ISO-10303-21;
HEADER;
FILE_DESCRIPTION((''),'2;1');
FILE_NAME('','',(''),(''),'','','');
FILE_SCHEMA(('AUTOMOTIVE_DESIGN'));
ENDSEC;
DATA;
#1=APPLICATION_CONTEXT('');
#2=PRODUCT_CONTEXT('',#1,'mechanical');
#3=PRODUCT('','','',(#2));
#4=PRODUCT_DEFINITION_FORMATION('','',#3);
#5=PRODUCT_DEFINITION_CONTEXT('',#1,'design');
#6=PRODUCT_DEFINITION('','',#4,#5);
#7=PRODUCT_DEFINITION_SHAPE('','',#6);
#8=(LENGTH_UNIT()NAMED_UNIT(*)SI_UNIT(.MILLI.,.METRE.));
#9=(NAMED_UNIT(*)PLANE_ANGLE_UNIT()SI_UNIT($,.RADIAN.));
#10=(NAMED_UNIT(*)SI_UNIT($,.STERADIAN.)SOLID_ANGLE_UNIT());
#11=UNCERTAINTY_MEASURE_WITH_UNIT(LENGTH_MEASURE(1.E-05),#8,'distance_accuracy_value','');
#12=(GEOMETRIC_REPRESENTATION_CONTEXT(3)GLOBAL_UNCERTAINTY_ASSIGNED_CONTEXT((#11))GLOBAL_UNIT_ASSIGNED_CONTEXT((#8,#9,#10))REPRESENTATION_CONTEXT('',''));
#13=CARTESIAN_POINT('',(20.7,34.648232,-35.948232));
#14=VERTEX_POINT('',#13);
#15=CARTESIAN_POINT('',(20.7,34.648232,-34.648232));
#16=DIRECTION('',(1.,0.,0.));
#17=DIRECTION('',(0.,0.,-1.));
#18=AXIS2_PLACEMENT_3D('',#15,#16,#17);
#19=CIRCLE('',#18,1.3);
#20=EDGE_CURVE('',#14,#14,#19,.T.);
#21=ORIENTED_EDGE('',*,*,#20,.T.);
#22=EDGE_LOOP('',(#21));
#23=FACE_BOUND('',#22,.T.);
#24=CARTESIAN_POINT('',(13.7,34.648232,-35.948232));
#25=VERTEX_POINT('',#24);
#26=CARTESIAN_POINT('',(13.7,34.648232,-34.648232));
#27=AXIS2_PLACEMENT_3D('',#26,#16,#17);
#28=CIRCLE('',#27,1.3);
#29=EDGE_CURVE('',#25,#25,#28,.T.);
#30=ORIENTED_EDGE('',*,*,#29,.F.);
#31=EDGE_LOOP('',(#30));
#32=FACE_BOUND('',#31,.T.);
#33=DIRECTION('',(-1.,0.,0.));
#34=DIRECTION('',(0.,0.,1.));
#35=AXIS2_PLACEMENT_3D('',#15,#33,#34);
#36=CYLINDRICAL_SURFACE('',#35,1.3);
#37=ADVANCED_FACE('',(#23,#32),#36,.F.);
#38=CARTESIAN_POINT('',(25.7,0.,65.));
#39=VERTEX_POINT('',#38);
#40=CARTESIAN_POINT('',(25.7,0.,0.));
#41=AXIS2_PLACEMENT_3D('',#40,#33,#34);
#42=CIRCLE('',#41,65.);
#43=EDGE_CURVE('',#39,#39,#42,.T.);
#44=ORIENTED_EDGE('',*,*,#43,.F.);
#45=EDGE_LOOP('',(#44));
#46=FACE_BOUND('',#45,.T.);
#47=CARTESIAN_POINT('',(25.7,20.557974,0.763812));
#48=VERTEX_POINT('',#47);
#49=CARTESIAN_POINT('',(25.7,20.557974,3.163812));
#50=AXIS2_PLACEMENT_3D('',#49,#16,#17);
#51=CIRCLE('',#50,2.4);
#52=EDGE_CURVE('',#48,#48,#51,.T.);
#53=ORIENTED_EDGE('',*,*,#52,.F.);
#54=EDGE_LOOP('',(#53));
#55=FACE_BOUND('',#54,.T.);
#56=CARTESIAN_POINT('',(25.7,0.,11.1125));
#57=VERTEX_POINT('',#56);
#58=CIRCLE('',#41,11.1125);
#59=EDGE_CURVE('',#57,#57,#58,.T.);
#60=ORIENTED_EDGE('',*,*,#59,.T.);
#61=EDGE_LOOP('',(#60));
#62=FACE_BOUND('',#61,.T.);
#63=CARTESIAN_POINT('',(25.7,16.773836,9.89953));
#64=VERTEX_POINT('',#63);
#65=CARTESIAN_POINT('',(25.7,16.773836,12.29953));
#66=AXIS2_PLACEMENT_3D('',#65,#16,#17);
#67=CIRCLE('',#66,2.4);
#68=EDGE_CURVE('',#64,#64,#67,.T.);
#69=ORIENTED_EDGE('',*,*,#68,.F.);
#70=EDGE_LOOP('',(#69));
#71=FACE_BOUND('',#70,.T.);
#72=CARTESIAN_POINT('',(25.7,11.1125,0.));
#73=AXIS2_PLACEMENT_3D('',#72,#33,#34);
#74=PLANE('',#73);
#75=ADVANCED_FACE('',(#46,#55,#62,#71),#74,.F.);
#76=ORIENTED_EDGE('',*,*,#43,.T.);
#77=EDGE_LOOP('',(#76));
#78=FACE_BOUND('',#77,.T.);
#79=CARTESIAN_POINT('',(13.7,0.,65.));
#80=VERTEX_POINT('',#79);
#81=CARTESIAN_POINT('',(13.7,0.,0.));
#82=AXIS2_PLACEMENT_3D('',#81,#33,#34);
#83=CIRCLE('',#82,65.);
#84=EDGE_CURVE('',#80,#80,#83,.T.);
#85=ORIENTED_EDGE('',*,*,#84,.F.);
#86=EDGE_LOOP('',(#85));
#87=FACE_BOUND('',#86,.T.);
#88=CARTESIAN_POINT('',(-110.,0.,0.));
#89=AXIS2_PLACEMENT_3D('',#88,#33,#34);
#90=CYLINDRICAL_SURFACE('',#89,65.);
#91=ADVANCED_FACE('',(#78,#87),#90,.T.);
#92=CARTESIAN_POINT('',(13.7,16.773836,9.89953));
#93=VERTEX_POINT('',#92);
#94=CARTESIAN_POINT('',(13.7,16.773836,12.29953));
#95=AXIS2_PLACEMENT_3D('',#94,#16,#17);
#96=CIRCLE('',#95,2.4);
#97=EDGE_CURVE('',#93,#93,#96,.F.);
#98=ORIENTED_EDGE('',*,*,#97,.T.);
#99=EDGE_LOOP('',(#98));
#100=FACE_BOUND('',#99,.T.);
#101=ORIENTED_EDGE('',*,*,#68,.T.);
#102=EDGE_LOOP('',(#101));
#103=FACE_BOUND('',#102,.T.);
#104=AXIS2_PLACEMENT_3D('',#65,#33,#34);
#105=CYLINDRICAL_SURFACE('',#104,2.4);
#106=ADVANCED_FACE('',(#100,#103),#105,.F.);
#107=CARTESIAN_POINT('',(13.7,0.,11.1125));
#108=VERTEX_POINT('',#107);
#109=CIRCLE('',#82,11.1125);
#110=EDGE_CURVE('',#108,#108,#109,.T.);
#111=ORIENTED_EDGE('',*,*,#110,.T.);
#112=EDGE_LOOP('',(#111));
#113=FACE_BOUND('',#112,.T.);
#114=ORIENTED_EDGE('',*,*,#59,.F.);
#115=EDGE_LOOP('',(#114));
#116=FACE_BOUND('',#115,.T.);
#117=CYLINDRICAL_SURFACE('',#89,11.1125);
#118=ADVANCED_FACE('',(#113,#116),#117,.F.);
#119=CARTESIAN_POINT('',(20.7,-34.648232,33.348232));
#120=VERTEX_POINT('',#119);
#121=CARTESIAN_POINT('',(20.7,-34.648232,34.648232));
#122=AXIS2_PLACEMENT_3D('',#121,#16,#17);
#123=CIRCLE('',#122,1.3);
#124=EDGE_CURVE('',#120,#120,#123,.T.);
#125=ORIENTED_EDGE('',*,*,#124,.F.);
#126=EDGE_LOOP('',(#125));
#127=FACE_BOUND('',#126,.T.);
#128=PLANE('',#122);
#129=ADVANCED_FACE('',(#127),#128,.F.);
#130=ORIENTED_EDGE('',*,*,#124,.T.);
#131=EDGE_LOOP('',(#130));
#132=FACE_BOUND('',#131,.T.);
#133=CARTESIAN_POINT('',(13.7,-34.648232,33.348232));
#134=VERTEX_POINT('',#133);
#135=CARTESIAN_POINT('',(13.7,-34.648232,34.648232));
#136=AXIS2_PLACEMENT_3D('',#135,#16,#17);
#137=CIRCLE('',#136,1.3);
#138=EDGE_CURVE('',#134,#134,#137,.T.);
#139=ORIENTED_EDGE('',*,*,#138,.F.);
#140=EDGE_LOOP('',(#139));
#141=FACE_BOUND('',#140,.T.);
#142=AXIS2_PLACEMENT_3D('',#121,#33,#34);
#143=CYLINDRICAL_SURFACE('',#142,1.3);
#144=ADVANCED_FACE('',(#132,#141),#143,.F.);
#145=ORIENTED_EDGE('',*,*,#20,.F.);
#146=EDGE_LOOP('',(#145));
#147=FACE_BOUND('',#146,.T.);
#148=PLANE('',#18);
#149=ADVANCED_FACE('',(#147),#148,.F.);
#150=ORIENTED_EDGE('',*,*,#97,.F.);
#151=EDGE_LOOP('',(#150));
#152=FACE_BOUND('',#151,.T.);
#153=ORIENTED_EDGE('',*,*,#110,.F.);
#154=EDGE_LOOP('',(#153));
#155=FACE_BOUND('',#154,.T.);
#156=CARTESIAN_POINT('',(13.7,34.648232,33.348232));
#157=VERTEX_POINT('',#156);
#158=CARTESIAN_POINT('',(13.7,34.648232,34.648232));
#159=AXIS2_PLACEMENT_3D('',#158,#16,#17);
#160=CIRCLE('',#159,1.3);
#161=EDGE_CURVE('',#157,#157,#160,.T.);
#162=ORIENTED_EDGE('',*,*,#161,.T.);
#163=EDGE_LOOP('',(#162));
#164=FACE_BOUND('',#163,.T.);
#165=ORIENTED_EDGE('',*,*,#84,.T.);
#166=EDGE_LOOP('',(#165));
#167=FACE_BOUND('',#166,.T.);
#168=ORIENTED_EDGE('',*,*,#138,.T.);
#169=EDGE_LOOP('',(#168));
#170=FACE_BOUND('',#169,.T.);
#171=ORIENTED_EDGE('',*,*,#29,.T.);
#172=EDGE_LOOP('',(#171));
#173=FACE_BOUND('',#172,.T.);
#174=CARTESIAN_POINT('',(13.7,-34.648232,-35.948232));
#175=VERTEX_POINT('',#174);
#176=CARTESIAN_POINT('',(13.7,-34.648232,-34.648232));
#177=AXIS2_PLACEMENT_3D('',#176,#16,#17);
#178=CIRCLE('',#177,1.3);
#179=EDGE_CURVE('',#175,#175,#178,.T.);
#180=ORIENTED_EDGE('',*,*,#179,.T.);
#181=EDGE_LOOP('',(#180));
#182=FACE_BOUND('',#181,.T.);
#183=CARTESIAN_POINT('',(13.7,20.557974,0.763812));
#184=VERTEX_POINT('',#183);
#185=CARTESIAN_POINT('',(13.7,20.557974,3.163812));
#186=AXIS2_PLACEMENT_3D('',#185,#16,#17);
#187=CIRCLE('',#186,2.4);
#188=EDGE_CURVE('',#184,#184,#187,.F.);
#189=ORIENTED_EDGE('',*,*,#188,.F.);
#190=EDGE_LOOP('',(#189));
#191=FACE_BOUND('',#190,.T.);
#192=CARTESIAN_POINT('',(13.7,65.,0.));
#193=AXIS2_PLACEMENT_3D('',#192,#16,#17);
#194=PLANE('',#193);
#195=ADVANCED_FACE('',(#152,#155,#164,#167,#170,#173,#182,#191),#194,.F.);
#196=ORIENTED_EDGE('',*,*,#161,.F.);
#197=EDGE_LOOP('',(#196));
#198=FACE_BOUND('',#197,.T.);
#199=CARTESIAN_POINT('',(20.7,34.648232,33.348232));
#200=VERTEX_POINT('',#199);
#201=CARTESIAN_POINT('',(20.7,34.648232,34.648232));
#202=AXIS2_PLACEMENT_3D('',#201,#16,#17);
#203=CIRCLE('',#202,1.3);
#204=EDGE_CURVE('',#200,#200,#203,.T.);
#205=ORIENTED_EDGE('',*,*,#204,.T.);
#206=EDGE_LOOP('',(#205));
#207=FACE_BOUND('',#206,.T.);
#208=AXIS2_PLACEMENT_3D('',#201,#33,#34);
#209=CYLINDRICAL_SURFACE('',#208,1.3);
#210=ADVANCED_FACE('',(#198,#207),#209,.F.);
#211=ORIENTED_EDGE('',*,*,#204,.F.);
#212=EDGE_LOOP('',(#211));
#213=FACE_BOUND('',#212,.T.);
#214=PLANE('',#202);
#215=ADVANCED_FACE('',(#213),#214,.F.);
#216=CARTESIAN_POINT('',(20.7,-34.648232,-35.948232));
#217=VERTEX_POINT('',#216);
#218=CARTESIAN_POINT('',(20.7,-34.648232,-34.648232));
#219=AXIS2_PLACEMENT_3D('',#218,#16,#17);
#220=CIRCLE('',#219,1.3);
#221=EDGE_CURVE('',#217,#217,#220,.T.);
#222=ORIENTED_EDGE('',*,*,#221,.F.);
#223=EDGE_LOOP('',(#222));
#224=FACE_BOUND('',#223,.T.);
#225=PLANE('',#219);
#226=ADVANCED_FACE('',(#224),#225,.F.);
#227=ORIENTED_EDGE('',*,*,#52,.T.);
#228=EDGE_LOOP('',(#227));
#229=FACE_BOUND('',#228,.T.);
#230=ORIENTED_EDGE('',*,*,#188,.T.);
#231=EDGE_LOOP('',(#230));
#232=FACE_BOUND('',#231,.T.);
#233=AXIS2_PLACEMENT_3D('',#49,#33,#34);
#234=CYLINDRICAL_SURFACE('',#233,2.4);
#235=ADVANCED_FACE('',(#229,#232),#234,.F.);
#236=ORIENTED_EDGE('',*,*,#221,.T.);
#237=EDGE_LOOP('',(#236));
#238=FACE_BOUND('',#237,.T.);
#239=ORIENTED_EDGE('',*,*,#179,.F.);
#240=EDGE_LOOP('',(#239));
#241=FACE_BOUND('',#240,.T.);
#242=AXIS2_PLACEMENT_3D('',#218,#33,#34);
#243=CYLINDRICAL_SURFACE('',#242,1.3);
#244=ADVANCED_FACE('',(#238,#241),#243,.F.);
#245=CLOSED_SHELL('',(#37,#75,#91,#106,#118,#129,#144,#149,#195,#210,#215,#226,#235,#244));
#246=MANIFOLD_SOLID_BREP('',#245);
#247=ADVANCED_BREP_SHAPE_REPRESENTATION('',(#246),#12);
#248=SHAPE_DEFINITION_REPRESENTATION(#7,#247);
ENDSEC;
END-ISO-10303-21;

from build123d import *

# Parameters (mm, degrees)
AXIAL_PROFILE_MM_W     = 12
AXIAL_PROFILE_MM_H     = 53.8875
AXIAL_HOLES_DEPTH      = 96.448886845
AXIAL_HOLES_DEPTH_BACK = 96.448886845
SKETCH2_R              = 2.4
CUT_EXTRUDE2_START     = 13.7
SKETCH3_R              = 1.3
CUT_EXTRUDE2_DEPTH     = 7


with BuildPart() as part:
    # Axial profile (mm) → Full revolution (revolve)
    with BuildSketch(Plane.XY, mode=Mode.PRIVATE) as full_revolution_sk:
        with Locations((19.7, 38.05625)):
            Rectangle(AXIAL_PROFILE_MM_W, AXIAL_PROFILE_MM_H)
    revolve(full_revolution_sk.sketch.rotate(Axis((-110, 0, 0), (1, 0, 0)), 90), axis=Axis((-110, 0, 0), (1, 0, 0)))

    # Sketch2 → Axial holes (cut, two sides: drawn at the far end of the back side and taken through both)
    with BuildSketch(Plane(origin=(0, 0, 0), x_dir=(0, 0, -1), z_dir=(1, 0, 0)).offset(-AXIAL_HOLES_DEPTH_BACK)):
        with Locations((-3.163812264, 20.557973926)):
            Circle(SKETCH2_R)
        with Locations((-12.299529665, 16.773835877)):
            Circle(SKETCH2_R)
    extrude(amount=AXIAL_HOLES_DEPTH + AXIAL_HOLES_DEPTH_BACK, mode=Mode.SUBTRACT)

    # Sketch3 → Cut-Extrude2 (cut)
    with BuildSketch(Plane(origin=(0, 0, 0), x_dir=(0, 0, -1), z_dir=(1, 0, 0)).offset(CUT_EXTRUDE2_START)):
        with Locations((-34.648232278, 34.648232278)):
            Circle(SKETCH3_R)
        with Locations((-34.648232278, -34.648232278)):
            Circle(SKETCH3_R)
        with Locations((34.648232278, -34.648232278)):
            Circle(SKETCH3_R)
        with Locations((34.648232278, 34.648232278)):
            Circle(SKETCH3_R)
    extrude(amount=CUT_EXTRUDE2_DEPTH, mode=Mode.SUBTRACT)


solid = part.part
